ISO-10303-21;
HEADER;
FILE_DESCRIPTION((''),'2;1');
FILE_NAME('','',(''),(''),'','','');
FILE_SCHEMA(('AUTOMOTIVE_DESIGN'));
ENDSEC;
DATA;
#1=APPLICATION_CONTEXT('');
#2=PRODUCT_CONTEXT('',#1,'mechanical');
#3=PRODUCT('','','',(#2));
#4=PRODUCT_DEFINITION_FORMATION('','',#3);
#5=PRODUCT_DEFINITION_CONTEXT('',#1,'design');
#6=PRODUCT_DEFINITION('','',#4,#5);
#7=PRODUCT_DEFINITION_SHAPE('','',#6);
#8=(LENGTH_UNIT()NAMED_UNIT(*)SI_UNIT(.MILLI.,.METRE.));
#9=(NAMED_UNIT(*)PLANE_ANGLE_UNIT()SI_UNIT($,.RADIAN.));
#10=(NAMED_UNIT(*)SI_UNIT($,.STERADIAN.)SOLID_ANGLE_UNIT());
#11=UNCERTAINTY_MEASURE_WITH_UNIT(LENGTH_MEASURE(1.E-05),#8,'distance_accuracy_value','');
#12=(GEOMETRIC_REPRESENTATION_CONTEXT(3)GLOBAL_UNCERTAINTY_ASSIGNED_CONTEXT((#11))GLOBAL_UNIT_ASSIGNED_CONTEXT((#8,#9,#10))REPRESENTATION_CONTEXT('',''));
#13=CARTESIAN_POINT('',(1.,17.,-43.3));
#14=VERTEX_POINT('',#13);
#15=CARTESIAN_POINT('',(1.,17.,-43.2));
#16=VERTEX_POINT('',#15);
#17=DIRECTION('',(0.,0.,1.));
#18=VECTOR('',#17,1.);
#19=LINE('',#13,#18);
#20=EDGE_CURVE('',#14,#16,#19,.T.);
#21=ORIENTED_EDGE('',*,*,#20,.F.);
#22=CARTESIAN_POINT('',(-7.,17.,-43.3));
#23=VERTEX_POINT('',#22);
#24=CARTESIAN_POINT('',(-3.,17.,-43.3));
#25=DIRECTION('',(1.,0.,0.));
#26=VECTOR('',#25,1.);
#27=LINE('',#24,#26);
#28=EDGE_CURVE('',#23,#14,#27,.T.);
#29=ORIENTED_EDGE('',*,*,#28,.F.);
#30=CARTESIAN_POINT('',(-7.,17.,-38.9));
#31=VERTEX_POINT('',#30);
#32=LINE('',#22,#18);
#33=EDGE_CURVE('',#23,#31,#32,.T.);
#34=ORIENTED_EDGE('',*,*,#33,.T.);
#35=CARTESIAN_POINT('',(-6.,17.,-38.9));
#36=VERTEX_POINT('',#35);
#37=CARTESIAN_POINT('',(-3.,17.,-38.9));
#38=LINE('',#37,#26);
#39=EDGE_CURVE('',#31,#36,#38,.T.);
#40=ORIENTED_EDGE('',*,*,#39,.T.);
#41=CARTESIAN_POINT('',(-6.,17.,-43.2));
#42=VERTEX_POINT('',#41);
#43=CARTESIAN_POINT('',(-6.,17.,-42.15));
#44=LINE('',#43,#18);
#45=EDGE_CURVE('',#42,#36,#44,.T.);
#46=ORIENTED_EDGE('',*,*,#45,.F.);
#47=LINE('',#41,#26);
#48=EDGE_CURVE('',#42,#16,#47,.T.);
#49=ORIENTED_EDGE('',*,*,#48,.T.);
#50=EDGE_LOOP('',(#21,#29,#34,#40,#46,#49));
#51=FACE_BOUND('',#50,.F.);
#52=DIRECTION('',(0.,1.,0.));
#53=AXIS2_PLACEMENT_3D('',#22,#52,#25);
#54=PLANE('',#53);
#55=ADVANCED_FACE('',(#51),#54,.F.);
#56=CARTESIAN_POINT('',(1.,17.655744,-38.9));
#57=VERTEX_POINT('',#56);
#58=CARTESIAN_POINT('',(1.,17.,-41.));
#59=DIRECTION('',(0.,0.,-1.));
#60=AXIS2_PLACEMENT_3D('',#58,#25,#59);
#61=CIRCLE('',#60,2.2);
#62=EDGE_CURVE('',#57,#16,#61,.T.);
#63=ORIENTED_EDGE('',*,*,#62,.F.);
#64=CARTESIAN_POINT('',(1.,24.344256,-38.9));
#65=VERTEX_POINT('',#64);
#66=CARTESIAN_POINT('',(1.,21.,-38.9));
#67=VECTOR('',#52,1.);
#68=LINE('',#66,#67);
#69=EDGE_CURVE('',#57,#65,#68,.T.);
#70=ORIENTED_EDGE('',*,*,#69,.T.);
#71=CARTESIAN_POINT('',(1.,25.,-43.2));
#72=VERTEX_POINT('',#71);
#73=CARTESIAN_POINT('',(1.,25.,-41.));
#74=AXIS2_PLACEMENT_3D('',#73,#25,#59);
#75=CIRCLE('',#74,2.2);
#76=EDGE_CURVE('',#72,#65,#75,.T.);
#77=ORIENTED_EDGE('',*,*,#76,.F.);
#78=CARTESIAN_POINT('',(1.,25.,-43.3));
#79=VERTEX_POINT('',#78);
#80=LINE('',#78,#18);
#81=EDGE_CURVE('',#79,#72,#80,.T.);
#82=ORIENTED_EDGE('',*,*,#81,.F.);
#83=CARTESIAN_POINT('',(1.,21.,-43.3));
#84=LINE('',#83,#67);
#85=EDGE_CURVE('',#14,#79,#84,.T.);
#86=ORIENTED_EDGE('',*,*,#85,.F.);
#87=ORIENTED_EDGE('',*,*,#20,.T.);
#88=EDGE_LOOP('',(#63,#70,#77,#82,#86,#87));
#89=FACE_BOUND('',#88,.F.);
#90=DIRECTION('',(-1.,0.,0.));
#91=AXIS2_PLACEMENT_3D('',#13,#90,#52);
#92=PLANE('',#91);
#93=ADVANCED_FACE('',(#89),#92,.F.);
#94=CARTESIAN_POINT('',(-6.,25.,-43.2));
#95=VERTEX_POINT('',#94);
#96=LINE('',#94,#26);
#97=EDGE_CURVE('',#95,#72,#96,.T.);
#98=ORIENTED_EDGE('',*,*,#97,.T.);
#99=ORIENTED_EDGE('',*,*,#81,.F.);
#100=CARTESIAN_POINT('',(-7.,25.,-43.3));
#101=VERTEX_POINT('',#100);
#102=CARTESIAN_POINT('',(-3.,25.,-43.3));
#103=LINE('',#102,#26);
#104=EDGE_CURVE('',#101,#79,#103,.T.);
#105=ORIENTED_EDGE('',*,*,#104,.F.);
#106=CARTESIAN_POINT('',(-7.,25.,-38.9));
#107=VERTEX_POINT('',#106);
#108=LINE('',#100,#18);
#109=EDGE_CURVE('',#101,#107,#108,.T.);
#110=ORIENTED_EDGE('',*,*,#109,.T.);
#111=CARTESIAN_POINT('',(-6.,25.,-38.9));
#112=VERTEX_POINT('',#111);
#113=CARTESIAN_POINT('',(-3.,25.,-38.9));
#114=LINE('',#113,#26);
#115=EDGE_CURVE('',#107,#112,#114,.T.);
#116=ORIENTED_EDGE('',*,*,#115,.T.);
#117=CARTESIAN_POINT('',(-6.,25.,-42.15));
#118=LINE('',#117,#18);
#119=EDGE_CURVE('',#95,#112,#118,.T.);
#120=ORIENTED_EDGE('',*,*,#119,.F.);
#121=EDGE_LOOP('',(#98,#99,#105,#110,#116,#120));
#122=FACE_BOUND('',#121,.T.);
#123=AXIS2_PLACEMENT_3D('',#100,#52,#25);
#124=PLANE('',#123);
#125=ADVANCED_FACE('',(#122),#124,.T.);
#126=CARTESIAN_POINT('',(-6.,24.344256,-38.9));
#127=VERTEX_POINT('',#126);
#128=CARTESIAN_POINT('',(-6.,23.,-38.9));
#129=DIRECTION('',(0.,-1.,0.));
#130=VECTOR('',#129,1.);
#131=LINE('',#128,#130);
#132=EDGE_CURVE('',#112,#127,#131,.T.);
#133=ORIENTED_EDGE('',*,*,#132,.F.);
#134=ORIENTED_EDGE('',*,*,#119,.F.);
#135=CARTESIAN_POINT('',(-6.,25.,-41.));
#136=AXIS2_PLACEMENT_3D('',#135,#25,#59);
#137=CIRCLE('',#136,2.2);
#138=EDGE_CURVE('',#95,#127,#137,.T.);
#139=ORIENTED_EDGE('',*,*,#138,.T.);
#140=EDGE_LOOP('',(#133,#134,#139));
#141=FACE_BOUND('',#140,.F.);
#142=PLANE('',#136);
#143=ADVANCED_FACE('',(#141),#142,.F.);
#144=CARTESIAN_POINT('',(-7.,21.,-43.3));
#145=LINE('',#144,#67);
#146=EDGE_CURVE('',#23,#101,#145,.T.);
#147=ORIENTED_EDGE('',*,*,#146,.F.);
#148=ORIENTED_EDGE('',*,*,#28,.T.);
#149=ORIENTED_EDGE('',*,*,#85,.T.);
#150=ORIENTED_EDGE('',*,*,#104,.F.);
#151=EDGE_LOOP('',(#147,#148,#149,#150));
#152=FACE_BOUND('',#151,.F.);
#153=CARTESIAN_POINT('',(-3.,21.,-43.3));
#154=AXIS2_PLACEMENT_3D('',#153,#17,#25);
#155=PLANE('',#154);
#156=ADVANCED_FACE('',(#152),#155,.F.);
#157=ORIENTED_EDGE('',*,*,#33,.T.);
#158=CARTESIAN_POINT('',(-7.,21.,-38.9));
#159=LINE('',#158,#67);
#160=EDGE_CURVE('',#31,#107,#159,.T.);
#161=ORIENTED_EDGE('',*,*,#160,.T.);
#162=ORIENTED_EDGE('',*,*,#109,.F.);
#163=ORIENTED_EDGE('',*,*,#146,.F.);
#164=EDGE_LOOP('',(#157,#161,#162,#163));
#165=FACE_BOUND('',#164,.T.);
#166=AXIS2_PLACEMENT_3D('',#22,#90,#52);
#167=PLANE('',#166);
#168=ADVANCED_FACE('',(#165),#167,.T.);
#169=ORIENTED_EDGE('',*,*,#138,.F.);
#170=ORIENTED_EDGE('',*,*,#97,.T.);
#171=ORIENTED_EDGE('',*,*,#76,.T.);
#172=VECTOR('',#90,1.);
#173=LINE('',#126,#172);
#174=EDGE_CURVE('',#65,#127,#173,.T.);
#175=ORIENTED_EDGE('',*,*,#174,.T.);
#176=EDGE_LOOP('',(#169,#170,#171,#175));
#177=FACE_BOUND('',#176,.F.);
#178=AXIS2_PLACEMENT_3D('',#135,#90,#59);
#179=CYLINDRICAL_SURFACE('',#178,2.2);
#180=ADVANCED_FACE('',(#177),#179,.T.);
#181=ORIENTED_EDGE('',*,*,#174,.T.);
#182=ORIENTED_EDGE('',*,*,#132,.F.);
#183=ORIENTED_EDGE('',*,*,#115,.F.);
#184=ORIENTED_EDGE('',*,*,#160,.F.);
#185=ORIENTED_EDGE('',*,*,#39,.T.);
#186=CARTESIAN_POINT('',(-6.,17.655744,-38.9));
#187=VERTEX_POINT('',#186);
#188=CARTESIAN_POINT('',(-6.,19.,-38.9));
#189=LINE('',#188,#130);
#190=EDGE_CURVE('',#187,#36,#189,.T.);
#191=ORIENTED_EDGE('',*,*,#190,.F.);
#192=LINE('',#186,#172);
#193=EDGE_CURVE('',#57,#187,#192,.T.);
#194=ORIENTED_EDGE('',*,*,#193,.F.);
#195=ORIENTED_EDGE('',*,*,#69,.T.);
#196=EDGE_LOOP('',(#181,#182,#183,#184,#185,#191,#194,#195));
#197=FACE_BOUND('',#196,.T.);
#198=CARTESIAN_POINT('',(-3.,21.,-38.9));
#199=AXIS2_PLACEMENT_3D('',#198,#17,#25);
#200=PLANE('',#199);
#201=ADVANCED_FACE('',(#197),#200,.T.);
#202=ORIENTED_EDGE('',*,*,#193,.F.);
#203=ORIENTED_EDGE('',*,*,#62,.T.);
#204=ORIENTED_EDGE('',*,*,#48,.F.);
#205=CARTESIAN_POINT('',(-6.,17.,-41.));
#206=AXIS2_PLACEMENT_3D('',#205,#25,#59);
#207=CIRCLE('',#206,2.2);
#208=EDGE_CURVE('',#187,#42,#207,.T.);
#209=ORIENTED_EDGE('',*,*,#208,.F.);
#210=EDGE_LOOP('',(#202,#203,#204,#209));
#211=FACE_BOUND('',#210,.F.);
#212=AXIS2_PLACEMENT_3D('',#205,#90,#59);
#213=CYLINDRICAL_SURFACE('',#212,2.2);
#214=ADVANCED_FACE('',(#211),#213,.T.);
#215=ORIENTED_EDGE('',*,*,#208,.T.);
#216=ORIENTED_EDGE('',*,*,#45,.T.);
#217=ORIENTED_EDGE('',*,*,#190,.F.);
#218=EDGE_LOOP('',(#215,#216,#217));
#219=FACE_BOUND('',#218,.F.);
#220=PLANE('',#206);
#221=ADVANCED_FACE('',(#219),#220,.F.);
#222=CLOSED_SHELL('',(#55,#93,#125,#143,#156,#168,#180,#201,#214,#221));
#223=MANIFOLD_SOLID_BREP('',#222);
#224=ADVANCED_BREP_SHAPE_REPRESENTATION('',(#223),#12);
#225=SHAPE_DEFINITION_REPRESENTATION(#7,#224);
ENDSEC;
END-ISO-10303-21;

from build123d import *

# Parameters (mm, degrees)
CYLINDER_R              = 2.2
CYLINDER_DEPTH          = 7
CYLINDER_PITCH_ANGLE    = 90
BOX_W                   = 8
BOX_H                   = 8
BOX_DEPTH               = 4.4
CYLINDER001_R           = 2.2
CYLINDER001_DEPTH       = 7
CYLINDER001_PITCH_ANGLE = 90


with BuildPart() as v_lec:
    # Cylinder → Cylinder (new body)
    with BuildSketch(Plane.XY):
        Circle(CYLINDER_R)
    extrude(amount=CYLINDER_DEPTH)


with BuildPart() as v_lec_1:
    # Cylinder pitch: moved
    add(v_lec.part.rotate(Axis((0, 0, 0), (0, 1, 0)), CYLINDER_PITCH_ANGLE))


with BuildPart() as v_lec_2:
    # Cylinder placement: moved
    add(v_lec_1.part.moved(Location((-6, 25, -41))))


with BuildPart() as krychle:
    # Box → Box (new body)
    with BuildSketch(Plane(origin=(-7, 17, -43.3), x_dir=(1, 0, 0), z_dir=(0, 0, 1))):
        with Locations((4, 4)):
            Rectangle(BOX_W, BOX_H)
    extrude(amount=BOX_DEPTH)


with BuildPart() as fusion001003:
    # Cylinder001 → Cylinder001 (new body)
    with BuildSketch(Plane.XY):
        Circle(CYLINDER001_R)
    extrude(amount=CYLINDER001_DEPTH)


with BuildPart() as fusion001003_1:
    # Cylinder001 pitch: moved
    add(fusion001003.part.rotate(Axis((0, 0, 0), (0, 1, 0)), CYLINDER001_PITCH_ANGLE))


with BuildPart() as fusion001003_2:
    # Cylinder001 placement: moved
    add(fusion001003_1.part.moved(Location((-6, 17, -41))))

    # Fusion001003: union Válec, Krychle
    add(v_lec_2.part)
    add(krychle.part)


solid = fusion001003_2.part
